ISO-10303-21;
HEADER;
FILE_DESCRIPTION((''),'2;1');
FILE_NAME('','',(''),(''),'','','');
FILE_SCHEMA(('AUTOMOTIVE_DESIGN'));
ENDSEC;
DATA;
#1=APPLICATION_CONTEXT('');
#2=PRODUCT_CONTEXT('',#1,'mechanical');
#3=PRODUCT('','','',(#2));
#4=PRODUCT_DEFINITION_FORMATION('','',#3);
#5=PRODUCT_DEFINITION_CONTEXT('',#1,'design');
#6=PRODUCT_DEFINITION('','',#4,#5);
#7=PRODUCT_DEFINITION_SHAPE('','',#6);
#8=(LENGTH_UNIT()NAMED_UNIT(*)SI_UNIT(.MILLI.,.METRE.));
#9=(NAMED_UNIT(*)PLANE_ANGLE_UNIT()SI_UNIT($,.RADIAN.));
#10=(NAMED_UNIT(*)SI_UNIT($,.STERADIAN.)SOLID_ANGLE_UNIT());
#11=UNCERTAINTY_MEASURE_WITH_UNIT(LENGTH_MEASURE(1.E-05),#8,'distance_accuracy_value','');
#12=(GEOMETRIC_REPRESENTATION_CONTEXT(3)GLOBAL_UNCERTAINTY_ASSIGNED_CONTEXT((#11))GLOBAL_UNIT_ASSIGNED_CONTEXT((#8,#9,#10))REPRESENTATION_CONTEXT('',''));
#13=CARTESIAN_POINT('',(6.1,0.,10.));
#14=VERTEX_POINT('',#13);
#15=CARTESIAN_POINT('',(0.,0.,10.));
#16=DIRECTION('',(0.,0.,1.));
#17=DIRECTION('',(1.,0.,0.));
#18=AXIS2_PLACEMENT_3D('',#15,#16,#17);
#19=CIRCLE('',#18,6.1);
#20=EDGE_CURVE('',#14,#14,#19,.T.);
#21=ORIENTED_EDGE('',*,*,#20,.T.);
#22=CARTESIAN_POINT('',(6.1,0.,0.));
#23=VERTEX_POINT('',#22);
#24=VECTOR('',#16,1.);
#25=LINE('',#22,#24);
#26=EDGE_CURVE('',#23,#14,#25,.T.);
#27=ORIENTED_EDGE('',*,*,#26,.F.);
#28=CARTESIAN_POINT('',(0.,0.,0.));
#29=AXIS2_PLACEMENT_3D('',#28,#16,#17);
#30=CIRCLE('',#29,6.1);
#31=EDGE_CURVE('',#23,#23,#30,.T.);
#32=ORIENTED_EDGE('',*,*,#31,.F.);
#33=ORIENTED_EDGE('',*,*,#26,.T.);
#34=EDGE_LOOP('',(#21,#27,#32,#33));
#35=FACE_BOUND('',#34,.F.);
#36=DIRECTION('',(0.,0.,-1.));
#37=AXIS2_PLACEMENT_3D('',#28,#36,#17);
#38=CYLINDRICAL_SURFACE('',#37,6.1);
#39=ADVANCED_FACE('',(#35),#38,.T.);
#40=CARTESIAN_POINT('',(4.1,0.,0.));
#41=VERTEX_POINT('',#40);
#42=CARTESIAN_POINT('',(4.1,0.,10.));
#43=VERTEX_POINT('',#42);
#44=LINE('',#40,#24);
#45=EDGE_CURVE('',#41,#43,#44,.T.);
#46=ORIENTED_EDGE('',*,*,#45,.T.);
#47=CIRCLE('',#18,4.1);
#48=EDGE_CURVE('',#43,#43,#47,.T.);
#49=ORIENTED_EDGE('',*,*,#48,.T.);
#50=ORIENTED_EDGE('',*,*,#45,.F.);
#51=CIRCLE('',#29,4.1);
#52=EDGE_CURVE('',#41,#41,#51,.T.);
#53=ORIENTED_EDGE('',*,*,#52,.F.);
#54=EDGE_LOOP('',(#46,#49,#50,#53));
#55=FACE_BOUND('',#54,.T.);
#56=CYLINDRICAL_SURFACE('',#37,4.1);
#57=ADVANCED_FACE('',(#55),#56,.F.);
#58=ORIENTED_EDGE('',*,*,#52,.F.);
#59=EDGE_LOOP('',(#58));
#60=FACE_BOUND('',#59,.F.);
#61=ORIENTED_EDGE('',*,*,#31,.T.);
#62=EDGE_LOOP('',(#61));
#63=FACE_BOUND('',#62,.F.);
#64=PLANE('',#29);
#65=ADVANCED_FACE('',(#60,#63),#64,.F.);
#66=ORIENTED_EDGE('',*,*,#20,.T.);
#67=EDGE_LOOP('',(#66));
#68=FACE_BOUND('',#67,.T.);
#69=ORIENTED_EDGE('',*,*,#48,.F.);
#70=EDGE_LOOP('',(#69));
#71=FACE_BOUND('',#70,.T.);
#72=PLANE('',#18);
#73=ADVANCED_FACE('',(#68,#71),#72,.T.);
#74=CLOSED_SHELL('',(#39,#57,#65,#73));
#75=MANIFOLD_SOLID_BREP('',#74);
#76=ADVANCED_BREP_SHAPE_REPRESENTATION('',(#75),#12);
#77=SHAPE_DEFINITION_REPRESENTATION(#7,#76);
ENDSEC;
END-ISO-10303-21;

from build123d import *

# Parameters (mm, degrees)
CYLINDER_R        = 6.1
CYLINDER_DEPTH    = 10
CYLINDER001_R     = 4.1
CYLINDER001_DEPTH = 10


with BuildPart() as part:
    # Cylinder → Cylinder (join)
    with BuildSketch(Plane.XY):
        Circle(CYLINDER_R)
    extrude(amount=CYLINDER_DEPTH)

    # Cylinder001 → Cylinder001 (cut)
    with BuildSketch(Plane.XY):
        Circle(CYLINDER001_R)
    extrude(amount=CYLINDER001_DEPTH, mode=Mode.SUBTRACT)


solid = part.part
